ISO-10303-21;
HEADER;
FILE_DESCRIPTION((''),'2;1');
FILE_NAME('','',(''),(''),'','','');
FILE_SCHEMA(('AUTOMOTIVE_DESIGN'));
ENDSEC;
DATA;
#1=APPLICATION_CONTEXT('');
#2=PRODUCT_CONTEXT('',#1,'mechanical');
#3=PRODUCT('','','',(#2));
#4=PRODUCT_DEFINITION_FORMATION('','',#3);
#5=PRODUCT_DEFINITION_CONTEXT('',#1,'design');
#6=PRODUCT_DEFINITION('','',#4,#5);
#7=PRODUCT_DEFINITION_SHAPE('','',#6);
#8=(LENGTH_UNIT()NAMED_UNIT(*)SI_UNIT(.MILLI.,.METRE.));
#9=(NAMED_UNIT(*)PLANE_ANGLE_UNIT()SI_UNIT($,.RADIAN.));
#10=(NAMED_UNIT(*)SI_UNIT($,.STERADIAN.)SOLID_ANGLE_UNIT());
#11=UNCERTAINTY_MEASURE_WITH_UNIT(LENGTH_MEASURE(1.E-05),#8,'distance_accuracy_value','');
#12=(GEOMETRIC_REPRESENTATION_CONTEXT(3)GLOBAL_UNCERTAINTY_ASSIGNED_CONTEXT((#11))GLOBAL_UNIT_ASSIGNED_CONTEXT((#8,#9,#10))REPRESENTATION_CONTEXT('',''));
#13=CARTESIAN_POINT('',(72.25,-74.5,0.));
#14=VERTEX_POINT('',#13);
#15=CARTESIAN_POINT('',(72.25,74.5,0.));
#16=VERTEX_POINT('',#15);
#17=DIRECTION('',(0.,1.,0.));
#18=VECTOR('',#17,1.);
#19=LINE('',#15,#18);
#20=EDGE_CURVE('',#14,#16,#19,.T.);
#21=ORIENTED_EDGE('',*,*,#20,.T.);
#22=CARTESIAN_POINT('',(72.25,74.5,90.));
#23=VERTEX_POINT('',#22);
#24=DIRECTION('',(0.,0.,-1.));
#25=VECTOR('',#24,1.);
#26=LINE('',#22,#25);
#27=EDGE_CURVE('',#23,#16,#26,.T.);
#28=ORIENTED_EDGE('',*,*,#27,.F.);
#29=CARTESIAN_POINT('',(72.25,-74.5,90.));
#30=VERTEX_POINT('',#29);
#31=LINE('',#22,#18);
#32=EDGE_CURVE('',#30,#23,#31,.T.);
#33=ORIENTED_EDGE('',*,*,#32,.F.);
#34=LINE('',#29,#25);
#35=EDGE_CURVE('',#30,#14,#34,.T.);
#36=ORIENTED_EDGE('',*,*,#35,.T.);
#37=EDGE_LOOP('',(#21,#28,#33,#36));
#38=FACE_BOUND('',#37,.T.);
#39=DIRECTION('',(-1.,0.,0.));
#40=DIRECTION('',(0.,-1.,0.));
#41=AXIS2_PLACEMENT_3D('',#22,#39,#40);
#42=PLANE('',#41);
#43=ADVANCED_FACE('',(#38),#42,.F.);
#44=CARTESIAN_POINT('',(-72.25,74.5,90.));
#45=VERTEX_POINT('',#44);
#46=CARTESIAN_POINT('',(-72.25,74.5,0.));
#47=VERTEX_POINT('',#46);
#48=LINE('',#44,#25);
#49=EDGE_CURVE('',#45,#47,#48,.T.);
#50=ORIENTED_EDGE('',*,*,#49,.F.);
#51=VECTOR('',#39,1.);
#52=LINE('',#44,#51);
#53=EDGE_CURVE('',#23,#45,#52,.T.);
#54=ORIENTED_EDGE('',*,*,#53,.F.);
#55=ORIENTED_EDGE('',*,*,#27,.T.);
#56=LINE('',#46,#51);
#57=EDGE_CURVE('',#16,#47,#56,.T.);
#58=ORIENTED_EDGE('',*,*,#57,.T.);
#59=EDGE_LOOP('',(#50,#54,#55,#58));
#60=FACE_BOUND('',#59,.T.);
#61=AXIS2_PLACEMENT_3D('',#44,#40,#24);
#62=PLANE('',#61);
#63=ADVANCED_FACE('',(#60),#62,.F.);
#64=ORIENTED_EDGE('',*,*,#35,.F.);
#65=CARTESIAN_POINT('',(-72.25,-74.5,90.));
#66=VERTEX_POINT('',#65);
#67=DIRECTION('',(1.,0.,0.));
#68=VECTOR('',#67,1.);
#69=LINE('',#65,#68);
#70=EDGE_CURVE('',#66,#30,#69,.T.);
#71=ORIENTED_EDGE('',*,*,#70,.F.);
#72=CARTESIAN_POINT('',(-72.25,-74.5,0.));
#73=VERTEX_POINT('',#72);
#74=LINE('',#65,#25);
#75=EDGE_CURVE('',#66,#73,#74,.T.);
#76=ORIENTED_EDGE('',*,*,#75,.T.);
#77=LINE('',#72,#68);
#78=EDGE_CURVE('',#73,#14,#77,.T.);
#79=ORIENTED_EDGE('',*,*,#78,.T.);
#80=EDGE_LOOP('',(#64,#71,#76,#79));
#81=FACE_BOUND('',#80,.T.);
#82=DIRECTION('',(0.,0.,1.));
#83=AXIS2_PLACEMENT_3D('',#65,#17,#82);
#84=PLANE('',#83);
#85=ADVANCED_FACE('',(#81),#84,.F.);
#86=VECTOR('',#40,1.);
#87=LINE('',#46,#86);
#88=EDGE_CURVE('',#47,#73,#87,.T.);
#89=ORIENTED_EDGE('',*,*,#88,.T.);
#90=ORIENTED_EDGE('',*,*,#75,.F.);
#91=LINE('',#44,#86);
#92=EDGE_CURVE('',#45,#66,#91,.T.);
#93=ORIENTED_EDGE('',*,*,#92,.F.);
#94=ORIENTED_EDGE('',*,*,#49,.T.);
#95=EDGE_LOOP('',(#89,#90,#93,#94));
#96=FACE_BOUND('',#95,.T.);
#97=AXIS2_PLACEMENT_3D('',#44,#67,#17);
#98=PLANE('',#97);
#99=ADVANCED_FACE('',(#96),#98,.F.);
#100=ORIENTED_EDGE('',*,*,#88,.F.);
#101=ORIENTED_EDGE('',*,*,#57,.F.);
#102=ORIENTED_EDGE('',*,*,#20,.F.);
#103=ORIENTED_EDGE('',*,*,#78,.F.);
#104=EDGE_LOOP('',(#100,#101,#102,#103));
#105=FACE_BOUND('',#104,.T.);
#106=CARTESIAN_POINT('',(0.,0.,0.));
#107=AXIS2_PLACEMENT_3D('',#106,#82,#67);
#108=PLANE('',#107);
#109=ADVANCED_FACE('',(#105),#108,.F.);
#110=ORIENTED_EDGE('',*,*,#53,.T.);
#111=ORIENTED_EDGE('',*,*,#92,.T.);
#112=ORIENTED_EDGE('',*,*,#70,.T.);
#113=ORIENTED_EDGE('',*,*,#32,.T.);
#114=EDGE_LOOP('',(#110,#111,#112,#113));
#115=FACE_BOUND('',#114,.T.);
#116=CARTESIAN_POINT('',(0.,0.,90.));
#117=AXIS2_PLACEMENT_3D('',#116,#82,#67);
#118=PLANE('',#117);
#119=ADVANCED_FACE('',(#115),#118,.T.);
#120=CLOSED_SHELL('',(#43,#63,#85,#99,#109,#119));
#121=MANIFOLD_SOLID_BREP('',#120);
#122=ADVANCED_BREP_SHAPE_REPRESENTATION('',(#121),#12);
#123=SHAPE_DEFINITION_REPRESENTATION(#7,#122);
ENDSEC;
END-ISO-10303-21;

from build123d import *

# Parameters (mm, degrees)
SKETCH2_W           = 144.5
SKETCH2_H           = 149
BOSS_EXTRUDE2_DEPTH = 90


with BuildPart() as part:
    # Sketch2 → Boss-Extrude2 (new body)
    with BuildSketch(Plane.XY):
        Rectangle(SKETCH2_W, SKETCH2_H)
    extrude(amount=BOSS_EXTRUDE2_DEPTH)


solid = part.part
